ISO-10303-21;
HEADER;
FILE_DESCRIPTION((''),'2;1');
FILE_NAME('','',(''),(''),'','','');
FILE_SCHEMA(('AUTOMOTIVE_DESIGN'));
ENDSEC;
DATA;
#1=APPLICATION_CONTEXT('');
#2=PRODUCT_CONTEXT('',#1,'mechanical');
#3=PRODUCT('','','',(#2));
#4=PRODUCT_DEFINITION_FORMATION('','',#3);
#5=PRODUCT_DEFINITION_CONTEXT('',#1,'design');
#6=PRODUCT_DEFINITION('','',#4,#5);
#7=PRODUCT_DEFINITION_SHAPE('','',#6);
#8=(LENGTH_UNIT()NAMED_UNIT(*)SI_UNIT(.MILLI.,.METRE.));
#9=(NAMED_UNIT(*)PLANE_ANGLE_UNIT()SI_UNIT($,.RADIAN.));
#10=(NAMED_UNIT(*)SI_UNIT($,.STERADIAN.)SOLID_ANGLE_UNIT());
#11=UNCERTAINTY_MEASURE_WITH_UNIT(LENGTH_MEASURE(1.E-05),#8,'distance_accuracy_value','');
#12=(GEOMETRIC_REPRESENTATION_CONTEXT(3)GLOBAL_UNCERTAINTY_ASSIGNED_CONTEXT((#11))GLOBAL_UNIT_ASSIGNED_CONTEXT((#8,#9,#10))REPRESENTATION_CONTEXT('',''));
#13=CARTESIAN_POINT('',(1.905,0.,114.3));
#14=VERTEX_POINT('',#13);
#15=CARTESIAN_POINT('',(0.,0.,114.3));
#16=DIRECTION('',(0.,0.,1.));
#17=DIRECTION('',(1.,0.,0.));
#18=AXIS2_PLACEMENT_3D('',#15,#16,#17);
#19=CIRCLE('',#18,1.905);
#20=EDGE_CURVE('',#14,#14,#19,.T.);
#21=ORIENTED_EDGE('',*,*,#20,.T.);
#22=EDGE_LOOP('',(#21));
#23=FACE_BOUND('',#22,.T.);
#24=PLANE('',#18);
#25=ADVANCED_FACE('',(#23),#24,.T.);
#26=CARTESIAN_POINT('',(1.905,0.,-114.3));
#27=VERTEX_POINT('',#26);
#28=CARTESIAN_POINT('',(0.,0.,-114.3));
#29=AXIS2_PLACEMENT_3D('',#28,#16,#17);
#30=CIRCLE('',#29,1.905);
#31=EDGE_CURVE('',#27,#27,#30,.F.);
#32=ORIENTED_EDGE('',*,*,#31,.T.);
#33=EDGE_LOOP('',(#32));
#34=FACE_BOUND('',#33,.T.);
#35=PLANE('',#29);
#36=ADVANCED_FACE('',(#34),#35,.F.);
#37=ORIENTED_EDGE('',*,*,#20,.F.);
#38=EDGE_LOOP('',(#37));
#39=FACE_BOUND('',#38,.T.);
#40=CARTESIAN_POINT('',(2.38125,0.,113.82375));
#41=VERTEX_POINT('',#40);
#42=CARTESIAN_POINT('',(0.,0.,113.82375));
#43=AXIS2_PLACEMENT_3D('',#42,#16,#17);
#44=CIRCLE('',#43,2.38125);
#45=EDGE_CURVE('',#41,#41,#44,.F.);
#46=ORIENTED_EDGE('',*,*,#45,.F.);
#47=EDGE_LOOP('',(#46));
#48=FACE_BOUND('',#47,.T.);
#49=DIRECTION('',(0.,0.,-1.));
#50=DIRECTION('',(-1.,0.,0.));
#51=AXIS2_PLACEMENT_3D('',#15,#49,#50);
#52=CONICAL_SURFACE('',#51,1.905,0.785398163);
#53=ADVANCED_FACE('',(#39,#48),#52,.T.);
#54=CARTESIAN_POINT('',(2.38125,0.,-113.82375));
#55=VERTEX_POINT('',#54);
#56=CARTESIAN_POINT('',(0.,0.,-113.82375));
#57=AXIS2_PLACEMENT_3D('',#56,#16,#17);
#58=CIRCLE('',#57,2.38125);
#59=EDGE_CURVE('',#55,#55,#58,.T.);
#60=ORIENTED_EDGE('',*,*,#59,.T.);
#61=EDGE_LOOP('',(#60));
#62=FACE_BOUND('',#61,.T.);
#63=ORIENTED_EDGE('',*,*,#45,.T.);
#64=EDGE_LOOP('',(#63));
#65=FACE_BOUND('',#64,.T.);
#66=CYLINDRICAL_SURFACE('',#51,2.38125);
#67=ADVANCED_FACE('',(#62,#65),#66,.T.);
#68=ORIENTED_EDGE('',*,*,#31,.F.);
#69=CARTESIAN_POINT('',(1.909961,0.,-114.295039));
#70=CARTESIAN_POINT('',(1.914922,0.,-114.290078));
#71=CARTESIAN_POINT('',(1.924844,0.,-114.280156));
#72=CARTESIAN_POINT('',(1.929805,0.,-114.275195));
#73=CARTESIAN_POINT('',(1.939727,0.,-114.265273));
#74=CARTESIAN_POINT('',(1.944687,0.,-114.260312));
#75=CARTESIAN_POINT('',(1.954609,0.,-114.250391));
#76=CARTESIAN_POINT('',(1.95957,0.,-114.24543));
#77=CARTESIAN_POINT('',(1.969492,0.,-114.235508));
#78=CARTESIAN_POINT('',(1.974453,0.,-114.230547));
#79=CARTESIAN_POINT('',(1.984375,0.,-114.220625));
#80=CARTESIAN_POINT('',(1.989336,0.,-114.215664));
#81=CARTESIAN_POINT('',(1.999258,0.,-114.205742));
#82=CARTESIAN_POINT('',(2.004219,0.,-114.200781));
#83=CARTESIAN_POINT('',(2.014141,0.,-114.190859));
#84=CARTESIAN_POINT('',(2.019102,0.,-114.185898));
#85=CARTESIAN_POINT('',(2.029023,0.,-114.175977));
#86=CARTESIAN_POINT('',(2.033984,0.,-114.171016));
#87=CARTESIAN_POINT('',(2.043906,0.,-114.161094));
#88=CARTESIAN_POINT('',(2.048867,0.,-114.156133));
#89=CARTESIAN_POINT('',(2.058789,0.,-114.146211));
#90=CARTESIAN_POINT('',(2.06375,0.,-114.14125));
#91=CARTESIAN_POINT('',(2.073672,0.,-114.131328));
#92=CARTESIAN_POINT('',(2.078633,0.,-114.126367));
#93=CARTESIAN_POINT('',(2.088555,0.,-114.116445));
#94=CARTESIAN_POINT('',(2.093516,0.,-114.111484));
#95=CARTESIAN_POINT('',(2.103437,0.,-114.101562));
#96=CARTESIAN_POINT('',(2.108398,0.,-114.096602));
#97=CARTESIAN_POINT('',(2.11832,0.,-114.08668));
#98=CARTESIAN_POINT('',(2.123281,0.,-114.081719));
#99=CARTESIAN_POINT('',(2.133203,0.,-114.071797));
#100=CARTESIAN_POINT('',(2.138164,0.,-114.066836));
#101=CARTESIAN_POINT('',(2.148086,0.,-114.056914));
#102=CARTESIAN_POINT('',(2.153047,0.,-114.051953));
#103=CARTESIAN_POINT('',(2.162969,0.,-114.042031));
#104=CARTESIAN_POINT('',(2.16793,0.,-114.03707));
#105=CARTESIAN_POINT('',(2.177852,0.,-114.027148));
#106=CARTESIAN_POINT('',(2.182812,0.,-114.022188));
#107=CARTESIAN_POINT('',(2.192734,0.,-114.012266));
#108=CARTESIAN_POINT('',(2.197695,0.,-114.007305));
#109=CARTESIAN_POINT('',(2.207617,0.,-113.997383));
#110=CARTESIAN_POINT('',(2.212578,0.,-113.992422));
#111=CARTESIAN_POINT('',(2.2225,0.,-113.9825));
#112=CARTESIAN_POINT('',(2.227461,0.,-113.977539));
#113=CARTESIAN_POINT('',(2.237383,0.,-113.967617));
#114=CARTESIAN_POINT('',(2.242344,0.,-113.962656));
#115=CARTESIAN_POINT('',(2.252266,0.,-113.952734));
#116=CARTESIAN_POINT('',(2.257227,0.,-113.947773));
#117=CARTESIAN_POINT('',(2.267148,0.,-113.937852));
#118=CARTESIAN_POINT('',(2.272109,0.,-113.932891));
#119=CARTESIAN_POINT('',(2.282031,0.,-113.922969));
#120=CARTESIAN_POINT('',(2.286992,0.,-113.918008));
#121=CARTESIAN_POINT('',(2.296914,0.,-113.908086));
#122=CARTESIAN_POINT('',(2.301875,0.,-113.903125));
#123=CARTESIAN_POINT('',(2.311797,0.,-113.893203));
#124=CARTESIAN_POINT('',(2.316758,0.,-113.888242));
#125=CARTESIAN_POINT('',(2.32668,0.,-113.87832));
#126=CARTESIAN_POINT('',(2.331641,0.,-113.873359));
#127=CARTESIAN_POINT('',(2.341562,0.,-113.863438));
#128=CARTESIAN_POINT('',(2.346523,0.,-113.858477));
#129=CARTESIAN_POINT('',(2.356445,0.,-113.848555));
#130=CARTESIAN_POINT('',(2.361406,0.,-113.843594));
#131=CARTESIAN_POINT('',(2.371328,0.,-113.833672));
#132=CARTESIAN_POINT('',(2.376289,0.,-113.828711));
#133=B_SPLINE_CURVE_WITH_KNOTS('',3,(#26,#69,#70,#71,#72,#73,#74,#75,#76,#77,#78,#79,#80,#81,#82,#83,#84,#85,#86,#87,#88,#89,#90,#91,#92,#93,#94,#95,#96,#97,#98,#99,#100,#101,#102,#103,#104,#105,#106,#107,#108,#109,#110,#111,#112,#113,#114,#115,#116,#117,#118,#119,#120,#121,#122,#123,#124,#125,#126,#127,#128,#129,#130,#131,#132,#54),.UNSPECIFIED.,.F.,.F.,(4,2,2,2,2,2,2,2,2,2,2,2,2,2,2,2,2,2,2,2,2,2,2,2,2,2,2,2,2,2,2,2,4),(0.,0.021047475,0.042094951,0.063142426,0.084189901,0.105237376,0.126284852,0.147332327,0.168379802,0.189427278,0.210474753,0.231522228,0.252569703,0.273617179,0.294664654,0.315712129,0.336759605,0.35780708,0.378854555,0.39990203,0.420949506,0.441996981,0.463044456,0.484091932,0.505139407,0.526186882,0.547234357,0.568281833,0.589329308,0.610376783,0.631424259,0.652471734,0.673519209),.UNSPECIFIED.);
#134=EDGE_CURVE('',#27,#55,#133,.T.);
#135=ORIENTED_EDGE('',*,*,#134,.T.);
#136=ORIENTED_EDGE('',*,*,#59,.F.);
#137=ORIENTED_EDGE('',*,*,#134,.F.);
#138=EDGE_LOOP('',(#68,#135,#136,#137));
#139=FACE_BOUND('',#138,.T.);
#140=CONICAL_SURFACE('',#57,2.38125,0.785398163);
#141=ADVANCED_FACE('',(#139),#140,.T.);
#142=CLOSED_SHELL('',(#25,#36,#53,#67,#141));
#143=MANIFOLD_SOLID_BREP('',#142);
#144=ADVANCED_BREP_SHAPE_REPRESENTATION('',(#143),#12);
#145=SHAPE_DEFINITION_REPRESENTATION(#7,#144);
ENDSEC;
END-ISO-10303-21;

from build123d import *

# Parameters (mm, degrees)
SKETCH3_R           = 2.38125
BOSS_EXTRUDE1_DEPTH = 114.3
CHAMFER1_SIZE       = 0.47625


with BuildPart() as part:
    # Sketch3 → Boss-Extrude1 (new, symmetric)
    with BuildSketch(Plane.XY):
        Circle(SKETCH3_R)
    extrude(amount=BOSS_EXTRUDE1_DEPTH, both=True)

    # Chamfer1
    chamfer1_edges = [part.edges().sort_by_distance(p)[0] for p in [
        (-2.38125, 0, -114.3),
        (-2.38125, 0, 114.3),
    ]]
    chamfer(chamfer1_edges, length=CHAMFER1_SIZE)


solid = part.part
